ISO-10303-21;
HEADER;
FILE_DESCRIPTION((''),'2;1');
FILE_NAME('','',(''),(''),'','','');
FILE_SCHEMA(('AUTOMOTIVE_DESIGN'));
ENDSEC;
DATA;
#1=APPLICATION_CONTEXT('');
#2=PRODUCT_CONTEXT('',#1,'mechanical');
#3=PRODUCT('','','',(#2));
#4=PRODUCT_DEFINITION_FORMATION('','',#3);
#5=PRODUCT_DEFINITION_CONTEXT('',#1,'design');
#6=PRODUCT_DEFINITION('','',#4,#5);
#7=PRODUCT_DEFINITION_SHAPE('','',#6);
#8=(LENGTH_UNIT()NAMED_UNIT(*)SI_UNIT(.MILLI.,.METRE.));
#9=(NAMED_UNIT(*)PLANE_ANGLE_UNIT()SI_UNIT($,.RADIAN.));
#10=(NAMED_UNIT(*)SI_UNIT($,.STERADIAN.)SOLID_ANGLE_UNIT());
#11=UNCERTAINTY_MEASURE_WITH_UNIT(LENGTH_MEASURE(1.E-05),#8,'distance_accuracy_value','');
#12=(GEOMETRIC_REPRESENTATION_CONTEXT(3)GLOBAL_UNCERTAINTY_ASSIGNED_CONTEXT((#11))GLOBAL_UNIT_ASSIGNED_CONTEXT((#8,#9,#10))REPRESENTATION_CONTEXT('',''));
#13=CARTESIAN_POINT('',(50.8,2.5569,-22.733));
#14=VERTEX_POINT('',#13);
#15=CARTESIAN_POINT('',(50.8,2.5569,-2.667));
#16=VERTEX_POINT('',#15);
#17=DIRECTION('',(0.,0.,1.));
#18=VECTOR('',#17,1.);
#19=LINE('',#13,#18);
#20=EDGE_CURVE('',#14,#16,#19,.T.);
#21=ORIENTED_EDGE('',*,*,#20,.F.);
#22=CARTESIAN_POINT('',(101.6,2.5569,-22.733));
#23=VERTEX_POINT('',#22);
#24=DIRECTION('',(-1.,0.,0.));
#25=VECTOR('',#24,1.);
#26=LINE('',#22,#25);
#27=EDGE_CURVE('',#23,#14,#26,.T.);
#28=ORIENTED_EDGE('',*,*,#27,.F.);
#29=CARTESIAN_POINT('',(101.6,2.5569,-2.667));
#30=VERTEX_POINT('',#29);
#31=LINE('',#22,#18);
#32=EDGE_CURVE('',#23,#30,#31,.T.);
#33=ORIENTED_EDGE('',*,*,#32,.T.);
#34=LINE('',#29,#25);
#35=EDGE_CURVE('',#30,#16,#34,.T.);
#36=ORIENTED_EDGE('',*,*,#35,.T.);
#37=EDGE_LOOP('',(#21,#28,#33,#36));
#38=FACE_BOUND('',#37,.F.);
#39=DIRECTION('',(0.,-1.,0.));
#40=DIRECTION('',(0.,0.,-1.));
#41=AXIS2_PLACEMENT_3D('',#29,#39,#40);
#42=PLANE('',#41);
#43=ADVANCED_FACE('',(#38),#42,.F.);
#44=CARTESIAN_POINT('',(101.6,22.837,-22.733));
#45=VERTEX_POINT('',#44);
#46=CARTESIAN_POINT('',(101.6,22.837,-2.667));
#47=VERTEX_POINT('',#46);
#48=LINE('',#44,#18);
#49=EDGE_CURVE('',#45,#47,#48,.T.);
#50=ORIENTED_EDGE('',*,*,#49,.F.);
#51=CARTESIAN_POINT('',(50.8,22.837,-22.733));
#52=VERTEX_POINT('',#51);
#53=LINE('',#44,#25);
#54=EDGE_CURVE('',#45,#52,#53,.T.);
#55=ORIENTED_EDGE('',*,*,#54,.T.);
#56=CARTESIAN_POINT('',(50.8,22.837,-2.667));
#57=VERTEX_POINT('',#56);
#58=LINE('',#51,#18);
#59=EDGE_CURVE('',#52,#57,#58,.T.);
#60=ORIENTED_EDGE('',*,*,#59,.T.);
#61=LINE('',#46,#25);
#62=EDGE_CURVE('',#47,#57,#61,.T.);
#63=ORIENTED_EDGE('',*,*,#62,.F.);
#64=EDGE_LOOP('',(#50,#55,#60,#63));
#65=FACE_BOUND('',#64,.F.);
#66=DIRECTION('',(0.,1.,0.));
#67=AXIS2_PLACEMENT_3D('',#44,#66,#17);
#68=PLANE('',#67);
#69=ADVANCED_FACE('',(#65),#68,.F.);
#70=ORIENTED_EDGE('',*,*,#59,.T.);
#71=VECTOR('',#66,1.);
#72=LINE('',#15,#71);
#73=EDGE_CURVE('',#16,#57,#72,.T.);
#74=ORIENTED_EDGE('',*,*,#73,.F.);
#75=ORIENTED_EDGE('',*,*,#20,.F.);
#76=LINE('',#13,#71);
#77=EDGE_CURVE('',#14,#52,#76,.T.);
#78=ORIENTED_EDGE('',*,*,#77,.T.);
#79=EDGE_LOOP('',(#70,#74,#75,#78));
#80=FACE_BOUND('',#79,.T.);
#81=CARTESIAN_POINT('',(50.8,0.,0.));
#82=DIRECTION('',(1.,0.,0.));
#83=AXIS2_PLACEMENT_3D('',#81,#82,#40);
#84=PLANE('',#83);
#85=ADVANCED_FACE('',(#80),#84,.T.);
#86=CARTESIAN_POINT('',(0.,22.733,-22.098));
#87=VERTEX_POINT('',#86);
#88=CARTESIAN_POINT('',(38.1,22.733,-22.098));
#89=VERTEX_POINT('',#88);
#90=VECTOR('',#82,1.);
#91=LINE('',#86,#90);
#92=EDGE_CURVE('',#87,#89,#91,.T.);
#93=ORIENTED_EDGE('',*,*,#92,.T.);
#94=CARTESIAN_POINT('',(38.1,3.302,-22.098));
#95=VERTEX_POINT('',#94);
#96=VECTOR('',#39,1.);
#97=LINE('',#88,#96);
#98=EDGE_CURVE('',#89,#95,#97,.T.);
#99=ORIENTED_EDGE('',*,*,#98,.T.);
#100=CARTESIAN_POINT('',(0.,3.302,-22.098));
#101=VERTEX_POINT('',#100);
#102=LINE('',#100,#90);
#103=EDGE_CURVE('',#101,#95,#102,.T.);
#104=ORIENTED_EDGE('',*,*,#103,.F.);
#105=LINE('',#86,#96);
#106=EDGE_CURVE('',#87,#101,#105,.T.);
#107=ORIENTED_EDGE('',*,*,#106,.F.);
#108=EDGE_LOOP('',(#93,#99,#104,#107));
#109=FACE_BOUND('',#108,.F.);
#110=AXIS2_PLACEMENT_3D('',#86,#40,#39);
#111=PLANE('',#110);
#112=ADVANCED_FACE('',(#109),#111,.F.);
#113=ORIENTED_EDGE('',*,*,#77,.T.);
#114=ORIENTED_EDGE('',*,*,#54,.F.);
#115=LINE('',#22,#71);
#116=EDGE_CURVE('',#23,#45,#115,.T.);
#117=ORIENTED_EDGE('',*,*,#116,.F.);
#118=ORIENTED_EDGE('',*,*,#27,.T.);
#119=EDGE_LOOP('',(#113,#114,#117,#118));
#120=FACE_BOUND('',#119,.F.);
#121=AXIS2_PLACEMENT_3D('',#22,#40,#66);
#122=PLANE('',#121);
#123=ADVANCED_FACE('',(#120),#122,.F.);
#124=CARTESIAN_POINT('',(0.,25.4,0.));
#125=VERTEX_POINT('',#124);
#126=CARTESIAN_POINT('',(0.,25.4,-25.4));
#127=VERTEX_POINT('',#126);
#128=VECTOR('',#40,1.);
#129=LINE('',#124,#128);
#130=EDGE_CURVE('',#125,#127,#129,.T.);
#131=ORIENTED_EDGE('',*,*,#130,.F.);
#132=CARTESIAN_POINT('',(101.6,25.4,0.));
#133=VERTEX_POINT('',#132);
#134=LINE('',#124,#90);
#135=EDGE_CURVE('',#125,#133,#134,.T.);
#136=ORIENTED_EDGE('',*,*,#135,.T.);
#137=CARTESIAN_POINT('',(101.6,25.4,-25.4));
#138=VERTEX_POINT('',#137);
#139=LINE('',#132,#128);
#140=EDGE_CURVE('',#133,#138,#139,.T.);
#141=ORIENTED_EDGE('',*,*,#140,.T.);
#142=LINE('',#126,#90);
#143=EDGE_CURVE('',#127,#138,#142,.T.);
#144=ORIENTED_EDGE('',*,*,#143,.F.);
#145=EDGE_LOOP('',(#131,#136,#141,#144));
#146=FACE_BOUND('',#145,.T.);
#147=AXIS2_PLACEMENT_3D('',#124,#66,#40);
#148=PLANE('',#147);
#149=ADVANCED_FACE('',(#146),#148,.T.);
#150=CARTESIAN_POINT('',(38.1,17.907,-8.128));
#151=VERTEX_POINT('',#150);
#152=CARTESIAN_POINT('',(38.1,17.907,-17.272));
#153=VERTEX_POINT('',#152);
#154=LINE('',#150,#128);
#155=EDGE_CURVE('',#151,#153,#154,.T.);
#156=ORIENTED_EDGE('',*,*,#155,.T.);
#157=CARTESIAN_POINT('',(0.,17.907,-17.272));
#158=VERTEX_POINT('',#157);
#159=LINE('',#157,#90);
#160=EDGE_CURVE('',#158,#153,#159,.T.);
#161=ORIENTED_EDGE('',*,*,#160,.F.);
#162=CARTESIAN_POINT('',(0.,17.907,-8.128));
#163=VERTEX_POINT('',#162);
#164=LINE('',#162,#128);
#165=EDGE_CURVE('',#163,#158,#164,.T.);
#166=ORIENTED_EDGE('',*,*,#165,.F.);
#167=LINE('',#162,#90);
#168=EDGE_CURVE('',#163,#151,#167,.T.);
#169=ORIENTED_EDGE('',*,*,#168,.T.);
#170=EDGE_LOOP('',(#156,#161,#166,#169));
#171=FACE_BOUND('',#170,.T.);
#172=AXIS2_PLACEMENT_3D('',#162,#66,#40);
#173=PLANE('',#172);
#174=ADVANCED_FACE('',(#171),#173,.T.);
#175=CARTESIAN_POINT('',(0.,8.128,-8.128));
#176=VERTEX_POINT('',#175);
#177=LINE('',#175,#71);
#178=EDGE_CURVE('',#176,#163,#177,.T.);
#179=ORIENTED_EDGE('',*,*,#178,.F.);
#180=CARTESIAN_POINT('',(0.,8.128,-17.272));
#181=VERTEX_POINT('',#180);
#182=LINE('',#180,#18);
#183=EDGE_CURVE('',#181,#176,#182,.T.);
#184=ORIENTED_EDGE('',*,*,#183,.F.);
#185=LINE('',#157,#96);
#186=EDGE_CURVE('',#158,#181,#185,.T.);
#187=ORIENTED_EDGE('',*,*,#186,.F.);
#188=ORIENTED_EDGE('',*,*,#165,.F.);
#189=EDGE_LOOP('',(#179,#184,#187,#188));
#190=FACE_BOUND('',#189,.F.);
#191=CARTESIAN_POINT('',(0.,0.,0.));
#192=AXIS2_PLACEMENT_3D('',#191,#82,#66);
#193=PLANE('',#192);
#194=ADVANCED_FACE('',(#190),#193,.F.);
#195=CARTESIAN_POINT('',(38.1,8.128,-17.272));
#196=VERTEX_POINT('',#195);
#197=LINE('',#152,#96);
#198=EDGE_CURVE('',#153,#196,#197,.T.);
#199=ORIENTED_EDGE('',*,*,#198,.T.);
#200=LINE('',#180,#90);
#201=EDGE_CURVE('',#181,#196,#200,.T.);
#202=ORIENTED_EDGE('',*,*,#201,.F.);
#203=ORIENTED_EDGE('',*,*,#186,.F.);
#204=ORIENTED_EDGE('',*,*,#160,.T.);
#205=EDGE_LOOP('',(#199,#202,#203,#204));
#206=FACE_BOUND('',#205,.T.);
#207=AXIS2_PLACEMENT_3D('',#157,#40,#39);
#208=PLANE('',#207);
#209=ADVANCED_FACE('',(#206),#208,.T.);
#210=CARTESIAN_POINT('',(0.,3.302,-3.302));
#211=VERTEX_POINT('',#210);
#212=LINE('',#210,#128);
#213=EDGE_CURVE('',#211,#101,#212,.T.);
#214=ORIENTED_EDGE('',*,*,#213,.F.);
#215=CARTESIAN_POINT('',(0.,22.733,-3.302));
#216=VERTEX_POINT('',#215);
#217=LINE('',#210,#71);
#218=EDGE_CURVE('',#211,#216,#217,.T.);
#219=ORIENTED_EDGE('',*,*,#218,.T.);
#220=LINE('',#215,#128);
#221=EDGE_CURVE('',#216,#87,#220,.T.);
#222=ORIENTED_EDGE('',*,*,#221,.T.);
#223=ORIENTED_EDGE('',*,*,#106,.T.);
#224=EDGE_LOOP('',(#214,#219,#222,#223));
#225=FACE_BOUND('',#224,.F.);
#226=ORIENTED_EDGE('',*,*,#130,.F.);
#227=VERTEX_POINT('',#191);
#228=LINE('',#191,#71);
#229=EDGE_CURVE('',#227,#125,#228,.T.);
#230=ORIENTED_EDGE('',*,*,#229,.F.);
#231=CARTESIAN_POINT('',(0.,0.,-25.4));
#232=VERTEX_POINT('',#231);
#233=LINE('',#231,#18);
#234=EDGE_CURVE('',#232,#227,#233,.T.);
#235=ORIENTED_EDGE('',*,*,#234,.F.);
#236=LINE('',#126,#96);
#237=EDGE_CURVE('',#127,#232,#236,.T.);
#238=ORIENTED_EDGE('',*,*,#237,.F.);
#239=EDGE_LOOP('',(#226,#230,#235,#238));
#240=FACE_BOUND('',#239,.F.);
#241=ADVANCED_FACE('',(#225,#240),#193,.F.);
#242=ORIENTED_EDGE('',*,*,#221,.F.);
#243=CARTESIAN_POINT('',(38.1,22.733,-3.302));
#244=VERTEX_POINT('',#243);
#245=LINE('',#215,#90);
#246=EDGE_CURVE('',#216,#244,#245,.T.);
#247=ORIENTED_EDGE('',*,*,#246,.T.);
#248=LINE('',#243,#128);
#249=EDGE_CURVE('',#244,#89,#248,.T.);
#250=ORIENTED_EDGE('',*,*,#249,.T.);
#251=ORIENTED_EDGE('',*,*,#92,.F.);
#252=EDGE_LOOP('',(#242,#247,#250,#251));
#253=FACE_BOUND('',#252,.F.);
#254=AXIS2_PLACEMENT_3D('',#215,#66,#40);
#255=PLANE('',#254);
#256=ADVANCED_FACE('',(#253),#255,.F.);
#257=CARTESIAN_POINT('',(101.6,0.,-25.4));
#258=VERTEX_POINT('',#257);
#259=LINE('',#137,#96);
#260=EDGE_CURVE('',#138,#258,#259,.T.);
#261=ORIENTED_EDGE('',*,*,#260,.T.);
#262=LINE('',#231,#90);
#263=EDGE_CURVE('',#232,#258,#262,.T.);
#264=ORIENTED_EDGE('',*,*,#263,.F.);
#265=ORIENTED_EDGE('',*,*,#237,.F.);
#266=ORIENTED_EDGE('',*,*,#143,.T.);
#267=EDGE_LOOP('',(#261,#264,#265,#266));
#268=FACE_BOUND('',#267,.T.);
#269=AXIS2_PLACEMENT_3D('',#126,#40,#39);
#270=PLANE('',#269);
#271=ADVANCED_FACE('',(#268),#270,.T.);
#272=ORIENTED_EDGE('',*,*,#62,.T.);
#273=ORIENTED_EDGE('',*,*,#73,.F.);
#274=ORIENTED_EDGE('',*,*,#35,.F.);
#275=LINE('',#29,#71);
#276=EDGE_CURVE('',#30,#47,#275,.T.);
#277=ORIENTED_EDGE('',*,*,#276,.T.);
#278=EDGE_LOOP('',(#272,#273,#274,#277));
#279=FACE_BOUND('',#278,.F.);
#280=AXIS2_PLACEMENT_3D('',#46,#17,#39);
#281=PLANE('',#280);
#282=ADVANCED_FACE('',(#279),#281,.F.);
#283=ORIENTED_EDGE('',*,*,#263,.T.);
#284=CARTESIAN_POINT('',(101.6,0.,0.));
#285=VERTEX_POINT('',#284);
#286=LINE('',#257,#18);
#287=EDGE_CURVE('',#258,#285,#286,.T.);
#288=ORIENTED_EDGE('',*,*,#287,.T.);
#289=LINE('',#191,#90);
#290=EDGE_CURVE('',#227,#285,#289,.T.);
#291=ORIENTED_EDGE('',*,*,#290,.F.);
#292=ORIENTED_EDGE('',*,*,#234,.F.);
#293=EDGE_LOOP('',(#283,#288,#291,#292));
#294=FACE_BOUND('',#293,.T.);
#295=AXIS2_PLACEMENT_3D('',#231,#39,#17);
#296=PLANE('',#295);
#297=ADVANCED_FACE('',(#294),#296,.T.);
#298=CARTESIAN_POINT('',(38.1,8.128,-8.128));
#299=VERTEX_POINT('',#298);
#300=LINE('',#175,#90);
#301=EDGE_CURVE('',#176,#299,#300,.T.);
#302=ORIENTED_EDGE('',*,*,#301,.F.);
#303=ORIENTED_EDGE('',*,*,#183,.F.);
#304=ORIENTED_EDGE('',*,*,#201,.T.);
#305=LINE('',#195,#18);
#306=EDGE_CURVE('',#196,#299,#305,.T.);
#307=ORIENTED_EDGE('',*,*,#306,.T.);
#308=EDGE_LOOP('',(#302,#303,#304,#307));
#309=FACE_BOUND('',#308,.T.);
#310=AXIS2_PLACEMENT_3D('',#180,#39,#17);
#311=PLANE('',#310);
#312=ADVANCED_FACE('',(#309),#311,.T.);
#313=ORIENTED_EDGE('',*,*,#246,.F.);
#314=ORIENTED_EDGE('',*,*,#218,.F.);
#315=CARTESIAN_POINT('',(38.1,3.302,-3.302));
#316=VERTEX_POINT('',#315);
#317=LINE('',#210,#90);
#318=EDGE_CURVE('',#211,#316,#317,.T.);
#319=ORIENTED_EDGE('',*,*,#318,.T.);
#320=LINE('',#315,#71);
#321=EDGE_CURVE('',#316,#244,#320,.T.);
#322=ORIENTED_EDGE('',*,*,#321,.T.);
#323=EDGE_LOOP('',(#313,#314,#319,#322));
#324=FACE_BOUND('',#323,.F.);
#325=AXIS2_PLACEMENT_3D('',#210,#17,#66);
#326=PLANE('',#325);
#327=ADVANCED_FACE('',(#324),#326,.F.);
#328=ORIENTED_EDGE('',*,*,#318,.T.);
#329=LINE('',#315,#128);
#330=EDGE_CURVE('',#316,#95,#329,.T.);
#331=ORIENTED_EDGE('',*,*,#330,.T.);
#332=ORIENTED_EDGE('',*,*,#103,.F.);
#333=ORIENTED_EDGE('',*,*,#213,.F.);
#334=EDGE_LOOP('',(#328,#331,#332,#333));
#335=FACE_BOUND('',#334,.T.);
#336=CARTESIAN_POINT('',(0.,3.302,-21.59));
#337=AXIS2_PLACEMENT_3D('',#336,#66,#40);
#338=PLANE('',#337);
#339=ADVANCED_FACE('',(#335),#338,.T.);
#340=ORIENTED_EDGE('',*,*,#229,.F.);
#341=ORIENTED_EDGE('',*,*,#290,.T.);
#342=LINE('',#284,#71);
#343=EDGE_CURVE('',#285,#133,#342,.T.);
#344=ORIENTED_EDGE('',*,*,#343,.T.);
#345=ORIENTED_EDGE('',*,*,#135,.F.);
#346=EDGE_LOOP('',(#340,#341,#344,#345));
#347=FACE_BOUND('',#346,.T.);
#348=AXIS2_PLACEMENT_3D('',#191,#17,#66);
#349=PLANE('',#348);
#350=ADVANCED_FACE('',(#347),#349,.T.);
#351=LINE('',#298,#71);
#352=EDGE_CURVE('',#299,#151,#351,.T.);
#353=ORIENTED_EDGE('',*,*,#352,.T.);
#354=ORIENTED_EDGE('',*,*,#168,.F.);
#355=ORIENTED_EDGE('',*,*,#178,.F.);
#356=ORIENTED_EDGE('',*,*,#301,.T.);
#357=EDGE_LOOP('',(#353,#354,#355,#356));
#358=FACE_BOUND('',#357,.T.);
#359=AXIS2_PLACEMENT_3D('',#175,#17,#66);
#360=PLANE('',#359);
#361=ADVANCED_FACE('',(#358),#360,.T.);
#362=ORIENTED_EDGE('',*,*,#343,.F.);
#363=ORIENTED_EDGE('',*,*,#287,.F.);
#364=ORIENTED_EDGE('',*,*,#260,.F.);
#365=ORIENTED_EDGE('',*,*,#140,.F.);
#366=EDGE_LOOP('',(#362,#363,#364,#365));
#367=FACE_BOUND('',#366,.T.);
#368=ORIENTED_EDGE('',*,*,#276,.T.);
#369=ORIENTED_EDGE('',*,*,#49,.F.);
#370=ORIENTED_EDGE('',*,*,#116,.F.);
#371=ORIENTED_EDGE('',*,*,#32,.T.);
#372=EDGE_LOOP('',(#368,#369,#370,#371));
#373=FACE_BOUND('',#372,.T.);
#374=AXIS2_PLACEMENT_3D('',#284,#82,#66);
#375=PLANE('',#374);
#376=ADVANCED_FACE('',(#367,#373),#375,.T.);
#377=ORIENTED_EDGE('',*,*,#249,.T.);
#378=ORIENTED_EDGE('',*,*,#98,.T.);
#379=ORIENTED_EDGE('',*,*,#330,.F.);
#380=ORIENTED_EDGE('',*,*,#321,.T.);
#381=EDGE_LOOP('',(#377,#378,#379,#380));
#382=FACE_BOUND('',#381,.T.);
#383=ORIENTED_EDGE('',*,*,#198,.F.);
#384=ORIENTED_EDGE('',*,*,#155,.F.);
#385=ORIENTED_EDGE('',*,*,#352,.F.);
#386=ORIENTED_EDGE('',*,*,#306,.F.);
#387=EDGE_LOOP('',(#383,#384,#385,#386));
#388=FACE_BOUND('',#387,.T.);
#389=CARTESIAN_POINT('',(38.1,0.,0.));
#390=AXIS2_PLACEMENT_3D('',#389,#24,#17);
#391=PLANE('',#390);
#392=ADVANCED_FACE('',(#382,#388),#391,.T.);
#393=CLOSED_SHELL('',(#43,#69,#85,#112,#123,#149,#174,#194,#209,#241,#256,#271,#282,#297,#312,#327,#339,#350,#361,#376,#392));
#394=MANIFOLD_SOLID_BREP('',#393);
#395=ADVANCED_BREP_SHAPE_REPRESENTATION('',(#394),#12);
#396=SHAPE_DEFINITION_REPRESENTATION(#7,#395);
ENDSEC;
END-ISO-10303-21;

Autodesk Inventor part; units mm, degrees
ref_plane "YZ Plane" through (0, 0, 0) normal (1, 0, 0) x (0, 1, 0)
ref_plane "XZ Plane" through (0, 0, 0) normal (0, 1, 0) x (-1, 0, 0)
ref_plane "XY Plane" through (0, 0, 0) normal (0, 0, 1) x (1, 0, 0)
sketch "Sketch1" plane through (0, 0, 0) normal (1, 0, 0) x (0, 1, 0)
  point P0 (0, 0)
sketch "Sketch2" plane through (0, 0, 0) normal (1, 0, 0) x (0, 1, 0)
  line L0 (0, 0) -> (25.4, 0)
  line L1 (25.4, 0) -> (25.4, -25.4)
  line L2 (25.4, -25.4) -> (0, -25.4)
  line L3 (0, -25.4) -> (0, 0)
  dimension "d0" = 25.4
  dimension "d1" = 25.4
extrude "Extrusion1" add sketch "Sketch2" along normal blind 101.6
sketch "Sketch3" plane through (101.6, 0, 0) normal (1, 0, 0) x (0, 0, -1)
  line L0 (0, 0) -> (25.4, 0) projected
  line L1 (0, 0) -> (3.175, 0)
  line L2 (3.175, 0) -> (0, 0)
  line L3 (2.667, 3.175) -> (2.667, 2.5569)
  line L4 (2.667, 2.5569) -> (3.175, 2.5569)
  line L5 (2.667, 2.5569) -> (22.733, 2.5569)
  line L6 (22.733, 2.5569) -> (22.733, 22.837)
  line L7 (22.733, 22.837) -> (2.667, 22.837)
  line L8 (2.667, 22.837) -> (2.667, 2.5569)
extrude "Extrusion2" cut sketch "Sketch3" against normal blind 50.8
sketch "Sketch4" plane through (0, 0, 0) normal (-1, 0, 0) x (0, 0, 1)
  line L0 (-25.4, 0) -> (-25.4, 25.4) projected
  line L1 (-25.4, 25.4) -> (0, 25.4) projected
  line L2 (-22.225, 3.175) -> (-3.175, 3.175) projected
  line L3 (-22.225, 22.225) -> (-22.225, 3.175) projected
  line L4 (-21.59, 3.302) -> (-22.098, 3.302)
  line L5 (-17.272, 8.128) -> (-8.128, 8.128)
  line L6 (-8.128, 8.128) -> (-8.128, 17.907)
  line L7 (-8.128, 17.907) -> (-17.272, 17.907)
  line L8 (-17.272, 17.907) -> (-17.272, 8.128)
  line L9 (-22.098, 3.302) -> (-3.302, 3.302)
  line L10 (-3.302, 3.302) -> (-3.302, 22.733)
  line L11 (-3.302, 22.733) -> (-22.098, 22.733)
  line L12 (-22.098, 22.733) -> (-22.098, 3.302)
extrude "Extrusion3" cut sketch "Sketch4" against normal blind 38.1
properties part number "Left Side Piece Corrected 0.02 inch"
